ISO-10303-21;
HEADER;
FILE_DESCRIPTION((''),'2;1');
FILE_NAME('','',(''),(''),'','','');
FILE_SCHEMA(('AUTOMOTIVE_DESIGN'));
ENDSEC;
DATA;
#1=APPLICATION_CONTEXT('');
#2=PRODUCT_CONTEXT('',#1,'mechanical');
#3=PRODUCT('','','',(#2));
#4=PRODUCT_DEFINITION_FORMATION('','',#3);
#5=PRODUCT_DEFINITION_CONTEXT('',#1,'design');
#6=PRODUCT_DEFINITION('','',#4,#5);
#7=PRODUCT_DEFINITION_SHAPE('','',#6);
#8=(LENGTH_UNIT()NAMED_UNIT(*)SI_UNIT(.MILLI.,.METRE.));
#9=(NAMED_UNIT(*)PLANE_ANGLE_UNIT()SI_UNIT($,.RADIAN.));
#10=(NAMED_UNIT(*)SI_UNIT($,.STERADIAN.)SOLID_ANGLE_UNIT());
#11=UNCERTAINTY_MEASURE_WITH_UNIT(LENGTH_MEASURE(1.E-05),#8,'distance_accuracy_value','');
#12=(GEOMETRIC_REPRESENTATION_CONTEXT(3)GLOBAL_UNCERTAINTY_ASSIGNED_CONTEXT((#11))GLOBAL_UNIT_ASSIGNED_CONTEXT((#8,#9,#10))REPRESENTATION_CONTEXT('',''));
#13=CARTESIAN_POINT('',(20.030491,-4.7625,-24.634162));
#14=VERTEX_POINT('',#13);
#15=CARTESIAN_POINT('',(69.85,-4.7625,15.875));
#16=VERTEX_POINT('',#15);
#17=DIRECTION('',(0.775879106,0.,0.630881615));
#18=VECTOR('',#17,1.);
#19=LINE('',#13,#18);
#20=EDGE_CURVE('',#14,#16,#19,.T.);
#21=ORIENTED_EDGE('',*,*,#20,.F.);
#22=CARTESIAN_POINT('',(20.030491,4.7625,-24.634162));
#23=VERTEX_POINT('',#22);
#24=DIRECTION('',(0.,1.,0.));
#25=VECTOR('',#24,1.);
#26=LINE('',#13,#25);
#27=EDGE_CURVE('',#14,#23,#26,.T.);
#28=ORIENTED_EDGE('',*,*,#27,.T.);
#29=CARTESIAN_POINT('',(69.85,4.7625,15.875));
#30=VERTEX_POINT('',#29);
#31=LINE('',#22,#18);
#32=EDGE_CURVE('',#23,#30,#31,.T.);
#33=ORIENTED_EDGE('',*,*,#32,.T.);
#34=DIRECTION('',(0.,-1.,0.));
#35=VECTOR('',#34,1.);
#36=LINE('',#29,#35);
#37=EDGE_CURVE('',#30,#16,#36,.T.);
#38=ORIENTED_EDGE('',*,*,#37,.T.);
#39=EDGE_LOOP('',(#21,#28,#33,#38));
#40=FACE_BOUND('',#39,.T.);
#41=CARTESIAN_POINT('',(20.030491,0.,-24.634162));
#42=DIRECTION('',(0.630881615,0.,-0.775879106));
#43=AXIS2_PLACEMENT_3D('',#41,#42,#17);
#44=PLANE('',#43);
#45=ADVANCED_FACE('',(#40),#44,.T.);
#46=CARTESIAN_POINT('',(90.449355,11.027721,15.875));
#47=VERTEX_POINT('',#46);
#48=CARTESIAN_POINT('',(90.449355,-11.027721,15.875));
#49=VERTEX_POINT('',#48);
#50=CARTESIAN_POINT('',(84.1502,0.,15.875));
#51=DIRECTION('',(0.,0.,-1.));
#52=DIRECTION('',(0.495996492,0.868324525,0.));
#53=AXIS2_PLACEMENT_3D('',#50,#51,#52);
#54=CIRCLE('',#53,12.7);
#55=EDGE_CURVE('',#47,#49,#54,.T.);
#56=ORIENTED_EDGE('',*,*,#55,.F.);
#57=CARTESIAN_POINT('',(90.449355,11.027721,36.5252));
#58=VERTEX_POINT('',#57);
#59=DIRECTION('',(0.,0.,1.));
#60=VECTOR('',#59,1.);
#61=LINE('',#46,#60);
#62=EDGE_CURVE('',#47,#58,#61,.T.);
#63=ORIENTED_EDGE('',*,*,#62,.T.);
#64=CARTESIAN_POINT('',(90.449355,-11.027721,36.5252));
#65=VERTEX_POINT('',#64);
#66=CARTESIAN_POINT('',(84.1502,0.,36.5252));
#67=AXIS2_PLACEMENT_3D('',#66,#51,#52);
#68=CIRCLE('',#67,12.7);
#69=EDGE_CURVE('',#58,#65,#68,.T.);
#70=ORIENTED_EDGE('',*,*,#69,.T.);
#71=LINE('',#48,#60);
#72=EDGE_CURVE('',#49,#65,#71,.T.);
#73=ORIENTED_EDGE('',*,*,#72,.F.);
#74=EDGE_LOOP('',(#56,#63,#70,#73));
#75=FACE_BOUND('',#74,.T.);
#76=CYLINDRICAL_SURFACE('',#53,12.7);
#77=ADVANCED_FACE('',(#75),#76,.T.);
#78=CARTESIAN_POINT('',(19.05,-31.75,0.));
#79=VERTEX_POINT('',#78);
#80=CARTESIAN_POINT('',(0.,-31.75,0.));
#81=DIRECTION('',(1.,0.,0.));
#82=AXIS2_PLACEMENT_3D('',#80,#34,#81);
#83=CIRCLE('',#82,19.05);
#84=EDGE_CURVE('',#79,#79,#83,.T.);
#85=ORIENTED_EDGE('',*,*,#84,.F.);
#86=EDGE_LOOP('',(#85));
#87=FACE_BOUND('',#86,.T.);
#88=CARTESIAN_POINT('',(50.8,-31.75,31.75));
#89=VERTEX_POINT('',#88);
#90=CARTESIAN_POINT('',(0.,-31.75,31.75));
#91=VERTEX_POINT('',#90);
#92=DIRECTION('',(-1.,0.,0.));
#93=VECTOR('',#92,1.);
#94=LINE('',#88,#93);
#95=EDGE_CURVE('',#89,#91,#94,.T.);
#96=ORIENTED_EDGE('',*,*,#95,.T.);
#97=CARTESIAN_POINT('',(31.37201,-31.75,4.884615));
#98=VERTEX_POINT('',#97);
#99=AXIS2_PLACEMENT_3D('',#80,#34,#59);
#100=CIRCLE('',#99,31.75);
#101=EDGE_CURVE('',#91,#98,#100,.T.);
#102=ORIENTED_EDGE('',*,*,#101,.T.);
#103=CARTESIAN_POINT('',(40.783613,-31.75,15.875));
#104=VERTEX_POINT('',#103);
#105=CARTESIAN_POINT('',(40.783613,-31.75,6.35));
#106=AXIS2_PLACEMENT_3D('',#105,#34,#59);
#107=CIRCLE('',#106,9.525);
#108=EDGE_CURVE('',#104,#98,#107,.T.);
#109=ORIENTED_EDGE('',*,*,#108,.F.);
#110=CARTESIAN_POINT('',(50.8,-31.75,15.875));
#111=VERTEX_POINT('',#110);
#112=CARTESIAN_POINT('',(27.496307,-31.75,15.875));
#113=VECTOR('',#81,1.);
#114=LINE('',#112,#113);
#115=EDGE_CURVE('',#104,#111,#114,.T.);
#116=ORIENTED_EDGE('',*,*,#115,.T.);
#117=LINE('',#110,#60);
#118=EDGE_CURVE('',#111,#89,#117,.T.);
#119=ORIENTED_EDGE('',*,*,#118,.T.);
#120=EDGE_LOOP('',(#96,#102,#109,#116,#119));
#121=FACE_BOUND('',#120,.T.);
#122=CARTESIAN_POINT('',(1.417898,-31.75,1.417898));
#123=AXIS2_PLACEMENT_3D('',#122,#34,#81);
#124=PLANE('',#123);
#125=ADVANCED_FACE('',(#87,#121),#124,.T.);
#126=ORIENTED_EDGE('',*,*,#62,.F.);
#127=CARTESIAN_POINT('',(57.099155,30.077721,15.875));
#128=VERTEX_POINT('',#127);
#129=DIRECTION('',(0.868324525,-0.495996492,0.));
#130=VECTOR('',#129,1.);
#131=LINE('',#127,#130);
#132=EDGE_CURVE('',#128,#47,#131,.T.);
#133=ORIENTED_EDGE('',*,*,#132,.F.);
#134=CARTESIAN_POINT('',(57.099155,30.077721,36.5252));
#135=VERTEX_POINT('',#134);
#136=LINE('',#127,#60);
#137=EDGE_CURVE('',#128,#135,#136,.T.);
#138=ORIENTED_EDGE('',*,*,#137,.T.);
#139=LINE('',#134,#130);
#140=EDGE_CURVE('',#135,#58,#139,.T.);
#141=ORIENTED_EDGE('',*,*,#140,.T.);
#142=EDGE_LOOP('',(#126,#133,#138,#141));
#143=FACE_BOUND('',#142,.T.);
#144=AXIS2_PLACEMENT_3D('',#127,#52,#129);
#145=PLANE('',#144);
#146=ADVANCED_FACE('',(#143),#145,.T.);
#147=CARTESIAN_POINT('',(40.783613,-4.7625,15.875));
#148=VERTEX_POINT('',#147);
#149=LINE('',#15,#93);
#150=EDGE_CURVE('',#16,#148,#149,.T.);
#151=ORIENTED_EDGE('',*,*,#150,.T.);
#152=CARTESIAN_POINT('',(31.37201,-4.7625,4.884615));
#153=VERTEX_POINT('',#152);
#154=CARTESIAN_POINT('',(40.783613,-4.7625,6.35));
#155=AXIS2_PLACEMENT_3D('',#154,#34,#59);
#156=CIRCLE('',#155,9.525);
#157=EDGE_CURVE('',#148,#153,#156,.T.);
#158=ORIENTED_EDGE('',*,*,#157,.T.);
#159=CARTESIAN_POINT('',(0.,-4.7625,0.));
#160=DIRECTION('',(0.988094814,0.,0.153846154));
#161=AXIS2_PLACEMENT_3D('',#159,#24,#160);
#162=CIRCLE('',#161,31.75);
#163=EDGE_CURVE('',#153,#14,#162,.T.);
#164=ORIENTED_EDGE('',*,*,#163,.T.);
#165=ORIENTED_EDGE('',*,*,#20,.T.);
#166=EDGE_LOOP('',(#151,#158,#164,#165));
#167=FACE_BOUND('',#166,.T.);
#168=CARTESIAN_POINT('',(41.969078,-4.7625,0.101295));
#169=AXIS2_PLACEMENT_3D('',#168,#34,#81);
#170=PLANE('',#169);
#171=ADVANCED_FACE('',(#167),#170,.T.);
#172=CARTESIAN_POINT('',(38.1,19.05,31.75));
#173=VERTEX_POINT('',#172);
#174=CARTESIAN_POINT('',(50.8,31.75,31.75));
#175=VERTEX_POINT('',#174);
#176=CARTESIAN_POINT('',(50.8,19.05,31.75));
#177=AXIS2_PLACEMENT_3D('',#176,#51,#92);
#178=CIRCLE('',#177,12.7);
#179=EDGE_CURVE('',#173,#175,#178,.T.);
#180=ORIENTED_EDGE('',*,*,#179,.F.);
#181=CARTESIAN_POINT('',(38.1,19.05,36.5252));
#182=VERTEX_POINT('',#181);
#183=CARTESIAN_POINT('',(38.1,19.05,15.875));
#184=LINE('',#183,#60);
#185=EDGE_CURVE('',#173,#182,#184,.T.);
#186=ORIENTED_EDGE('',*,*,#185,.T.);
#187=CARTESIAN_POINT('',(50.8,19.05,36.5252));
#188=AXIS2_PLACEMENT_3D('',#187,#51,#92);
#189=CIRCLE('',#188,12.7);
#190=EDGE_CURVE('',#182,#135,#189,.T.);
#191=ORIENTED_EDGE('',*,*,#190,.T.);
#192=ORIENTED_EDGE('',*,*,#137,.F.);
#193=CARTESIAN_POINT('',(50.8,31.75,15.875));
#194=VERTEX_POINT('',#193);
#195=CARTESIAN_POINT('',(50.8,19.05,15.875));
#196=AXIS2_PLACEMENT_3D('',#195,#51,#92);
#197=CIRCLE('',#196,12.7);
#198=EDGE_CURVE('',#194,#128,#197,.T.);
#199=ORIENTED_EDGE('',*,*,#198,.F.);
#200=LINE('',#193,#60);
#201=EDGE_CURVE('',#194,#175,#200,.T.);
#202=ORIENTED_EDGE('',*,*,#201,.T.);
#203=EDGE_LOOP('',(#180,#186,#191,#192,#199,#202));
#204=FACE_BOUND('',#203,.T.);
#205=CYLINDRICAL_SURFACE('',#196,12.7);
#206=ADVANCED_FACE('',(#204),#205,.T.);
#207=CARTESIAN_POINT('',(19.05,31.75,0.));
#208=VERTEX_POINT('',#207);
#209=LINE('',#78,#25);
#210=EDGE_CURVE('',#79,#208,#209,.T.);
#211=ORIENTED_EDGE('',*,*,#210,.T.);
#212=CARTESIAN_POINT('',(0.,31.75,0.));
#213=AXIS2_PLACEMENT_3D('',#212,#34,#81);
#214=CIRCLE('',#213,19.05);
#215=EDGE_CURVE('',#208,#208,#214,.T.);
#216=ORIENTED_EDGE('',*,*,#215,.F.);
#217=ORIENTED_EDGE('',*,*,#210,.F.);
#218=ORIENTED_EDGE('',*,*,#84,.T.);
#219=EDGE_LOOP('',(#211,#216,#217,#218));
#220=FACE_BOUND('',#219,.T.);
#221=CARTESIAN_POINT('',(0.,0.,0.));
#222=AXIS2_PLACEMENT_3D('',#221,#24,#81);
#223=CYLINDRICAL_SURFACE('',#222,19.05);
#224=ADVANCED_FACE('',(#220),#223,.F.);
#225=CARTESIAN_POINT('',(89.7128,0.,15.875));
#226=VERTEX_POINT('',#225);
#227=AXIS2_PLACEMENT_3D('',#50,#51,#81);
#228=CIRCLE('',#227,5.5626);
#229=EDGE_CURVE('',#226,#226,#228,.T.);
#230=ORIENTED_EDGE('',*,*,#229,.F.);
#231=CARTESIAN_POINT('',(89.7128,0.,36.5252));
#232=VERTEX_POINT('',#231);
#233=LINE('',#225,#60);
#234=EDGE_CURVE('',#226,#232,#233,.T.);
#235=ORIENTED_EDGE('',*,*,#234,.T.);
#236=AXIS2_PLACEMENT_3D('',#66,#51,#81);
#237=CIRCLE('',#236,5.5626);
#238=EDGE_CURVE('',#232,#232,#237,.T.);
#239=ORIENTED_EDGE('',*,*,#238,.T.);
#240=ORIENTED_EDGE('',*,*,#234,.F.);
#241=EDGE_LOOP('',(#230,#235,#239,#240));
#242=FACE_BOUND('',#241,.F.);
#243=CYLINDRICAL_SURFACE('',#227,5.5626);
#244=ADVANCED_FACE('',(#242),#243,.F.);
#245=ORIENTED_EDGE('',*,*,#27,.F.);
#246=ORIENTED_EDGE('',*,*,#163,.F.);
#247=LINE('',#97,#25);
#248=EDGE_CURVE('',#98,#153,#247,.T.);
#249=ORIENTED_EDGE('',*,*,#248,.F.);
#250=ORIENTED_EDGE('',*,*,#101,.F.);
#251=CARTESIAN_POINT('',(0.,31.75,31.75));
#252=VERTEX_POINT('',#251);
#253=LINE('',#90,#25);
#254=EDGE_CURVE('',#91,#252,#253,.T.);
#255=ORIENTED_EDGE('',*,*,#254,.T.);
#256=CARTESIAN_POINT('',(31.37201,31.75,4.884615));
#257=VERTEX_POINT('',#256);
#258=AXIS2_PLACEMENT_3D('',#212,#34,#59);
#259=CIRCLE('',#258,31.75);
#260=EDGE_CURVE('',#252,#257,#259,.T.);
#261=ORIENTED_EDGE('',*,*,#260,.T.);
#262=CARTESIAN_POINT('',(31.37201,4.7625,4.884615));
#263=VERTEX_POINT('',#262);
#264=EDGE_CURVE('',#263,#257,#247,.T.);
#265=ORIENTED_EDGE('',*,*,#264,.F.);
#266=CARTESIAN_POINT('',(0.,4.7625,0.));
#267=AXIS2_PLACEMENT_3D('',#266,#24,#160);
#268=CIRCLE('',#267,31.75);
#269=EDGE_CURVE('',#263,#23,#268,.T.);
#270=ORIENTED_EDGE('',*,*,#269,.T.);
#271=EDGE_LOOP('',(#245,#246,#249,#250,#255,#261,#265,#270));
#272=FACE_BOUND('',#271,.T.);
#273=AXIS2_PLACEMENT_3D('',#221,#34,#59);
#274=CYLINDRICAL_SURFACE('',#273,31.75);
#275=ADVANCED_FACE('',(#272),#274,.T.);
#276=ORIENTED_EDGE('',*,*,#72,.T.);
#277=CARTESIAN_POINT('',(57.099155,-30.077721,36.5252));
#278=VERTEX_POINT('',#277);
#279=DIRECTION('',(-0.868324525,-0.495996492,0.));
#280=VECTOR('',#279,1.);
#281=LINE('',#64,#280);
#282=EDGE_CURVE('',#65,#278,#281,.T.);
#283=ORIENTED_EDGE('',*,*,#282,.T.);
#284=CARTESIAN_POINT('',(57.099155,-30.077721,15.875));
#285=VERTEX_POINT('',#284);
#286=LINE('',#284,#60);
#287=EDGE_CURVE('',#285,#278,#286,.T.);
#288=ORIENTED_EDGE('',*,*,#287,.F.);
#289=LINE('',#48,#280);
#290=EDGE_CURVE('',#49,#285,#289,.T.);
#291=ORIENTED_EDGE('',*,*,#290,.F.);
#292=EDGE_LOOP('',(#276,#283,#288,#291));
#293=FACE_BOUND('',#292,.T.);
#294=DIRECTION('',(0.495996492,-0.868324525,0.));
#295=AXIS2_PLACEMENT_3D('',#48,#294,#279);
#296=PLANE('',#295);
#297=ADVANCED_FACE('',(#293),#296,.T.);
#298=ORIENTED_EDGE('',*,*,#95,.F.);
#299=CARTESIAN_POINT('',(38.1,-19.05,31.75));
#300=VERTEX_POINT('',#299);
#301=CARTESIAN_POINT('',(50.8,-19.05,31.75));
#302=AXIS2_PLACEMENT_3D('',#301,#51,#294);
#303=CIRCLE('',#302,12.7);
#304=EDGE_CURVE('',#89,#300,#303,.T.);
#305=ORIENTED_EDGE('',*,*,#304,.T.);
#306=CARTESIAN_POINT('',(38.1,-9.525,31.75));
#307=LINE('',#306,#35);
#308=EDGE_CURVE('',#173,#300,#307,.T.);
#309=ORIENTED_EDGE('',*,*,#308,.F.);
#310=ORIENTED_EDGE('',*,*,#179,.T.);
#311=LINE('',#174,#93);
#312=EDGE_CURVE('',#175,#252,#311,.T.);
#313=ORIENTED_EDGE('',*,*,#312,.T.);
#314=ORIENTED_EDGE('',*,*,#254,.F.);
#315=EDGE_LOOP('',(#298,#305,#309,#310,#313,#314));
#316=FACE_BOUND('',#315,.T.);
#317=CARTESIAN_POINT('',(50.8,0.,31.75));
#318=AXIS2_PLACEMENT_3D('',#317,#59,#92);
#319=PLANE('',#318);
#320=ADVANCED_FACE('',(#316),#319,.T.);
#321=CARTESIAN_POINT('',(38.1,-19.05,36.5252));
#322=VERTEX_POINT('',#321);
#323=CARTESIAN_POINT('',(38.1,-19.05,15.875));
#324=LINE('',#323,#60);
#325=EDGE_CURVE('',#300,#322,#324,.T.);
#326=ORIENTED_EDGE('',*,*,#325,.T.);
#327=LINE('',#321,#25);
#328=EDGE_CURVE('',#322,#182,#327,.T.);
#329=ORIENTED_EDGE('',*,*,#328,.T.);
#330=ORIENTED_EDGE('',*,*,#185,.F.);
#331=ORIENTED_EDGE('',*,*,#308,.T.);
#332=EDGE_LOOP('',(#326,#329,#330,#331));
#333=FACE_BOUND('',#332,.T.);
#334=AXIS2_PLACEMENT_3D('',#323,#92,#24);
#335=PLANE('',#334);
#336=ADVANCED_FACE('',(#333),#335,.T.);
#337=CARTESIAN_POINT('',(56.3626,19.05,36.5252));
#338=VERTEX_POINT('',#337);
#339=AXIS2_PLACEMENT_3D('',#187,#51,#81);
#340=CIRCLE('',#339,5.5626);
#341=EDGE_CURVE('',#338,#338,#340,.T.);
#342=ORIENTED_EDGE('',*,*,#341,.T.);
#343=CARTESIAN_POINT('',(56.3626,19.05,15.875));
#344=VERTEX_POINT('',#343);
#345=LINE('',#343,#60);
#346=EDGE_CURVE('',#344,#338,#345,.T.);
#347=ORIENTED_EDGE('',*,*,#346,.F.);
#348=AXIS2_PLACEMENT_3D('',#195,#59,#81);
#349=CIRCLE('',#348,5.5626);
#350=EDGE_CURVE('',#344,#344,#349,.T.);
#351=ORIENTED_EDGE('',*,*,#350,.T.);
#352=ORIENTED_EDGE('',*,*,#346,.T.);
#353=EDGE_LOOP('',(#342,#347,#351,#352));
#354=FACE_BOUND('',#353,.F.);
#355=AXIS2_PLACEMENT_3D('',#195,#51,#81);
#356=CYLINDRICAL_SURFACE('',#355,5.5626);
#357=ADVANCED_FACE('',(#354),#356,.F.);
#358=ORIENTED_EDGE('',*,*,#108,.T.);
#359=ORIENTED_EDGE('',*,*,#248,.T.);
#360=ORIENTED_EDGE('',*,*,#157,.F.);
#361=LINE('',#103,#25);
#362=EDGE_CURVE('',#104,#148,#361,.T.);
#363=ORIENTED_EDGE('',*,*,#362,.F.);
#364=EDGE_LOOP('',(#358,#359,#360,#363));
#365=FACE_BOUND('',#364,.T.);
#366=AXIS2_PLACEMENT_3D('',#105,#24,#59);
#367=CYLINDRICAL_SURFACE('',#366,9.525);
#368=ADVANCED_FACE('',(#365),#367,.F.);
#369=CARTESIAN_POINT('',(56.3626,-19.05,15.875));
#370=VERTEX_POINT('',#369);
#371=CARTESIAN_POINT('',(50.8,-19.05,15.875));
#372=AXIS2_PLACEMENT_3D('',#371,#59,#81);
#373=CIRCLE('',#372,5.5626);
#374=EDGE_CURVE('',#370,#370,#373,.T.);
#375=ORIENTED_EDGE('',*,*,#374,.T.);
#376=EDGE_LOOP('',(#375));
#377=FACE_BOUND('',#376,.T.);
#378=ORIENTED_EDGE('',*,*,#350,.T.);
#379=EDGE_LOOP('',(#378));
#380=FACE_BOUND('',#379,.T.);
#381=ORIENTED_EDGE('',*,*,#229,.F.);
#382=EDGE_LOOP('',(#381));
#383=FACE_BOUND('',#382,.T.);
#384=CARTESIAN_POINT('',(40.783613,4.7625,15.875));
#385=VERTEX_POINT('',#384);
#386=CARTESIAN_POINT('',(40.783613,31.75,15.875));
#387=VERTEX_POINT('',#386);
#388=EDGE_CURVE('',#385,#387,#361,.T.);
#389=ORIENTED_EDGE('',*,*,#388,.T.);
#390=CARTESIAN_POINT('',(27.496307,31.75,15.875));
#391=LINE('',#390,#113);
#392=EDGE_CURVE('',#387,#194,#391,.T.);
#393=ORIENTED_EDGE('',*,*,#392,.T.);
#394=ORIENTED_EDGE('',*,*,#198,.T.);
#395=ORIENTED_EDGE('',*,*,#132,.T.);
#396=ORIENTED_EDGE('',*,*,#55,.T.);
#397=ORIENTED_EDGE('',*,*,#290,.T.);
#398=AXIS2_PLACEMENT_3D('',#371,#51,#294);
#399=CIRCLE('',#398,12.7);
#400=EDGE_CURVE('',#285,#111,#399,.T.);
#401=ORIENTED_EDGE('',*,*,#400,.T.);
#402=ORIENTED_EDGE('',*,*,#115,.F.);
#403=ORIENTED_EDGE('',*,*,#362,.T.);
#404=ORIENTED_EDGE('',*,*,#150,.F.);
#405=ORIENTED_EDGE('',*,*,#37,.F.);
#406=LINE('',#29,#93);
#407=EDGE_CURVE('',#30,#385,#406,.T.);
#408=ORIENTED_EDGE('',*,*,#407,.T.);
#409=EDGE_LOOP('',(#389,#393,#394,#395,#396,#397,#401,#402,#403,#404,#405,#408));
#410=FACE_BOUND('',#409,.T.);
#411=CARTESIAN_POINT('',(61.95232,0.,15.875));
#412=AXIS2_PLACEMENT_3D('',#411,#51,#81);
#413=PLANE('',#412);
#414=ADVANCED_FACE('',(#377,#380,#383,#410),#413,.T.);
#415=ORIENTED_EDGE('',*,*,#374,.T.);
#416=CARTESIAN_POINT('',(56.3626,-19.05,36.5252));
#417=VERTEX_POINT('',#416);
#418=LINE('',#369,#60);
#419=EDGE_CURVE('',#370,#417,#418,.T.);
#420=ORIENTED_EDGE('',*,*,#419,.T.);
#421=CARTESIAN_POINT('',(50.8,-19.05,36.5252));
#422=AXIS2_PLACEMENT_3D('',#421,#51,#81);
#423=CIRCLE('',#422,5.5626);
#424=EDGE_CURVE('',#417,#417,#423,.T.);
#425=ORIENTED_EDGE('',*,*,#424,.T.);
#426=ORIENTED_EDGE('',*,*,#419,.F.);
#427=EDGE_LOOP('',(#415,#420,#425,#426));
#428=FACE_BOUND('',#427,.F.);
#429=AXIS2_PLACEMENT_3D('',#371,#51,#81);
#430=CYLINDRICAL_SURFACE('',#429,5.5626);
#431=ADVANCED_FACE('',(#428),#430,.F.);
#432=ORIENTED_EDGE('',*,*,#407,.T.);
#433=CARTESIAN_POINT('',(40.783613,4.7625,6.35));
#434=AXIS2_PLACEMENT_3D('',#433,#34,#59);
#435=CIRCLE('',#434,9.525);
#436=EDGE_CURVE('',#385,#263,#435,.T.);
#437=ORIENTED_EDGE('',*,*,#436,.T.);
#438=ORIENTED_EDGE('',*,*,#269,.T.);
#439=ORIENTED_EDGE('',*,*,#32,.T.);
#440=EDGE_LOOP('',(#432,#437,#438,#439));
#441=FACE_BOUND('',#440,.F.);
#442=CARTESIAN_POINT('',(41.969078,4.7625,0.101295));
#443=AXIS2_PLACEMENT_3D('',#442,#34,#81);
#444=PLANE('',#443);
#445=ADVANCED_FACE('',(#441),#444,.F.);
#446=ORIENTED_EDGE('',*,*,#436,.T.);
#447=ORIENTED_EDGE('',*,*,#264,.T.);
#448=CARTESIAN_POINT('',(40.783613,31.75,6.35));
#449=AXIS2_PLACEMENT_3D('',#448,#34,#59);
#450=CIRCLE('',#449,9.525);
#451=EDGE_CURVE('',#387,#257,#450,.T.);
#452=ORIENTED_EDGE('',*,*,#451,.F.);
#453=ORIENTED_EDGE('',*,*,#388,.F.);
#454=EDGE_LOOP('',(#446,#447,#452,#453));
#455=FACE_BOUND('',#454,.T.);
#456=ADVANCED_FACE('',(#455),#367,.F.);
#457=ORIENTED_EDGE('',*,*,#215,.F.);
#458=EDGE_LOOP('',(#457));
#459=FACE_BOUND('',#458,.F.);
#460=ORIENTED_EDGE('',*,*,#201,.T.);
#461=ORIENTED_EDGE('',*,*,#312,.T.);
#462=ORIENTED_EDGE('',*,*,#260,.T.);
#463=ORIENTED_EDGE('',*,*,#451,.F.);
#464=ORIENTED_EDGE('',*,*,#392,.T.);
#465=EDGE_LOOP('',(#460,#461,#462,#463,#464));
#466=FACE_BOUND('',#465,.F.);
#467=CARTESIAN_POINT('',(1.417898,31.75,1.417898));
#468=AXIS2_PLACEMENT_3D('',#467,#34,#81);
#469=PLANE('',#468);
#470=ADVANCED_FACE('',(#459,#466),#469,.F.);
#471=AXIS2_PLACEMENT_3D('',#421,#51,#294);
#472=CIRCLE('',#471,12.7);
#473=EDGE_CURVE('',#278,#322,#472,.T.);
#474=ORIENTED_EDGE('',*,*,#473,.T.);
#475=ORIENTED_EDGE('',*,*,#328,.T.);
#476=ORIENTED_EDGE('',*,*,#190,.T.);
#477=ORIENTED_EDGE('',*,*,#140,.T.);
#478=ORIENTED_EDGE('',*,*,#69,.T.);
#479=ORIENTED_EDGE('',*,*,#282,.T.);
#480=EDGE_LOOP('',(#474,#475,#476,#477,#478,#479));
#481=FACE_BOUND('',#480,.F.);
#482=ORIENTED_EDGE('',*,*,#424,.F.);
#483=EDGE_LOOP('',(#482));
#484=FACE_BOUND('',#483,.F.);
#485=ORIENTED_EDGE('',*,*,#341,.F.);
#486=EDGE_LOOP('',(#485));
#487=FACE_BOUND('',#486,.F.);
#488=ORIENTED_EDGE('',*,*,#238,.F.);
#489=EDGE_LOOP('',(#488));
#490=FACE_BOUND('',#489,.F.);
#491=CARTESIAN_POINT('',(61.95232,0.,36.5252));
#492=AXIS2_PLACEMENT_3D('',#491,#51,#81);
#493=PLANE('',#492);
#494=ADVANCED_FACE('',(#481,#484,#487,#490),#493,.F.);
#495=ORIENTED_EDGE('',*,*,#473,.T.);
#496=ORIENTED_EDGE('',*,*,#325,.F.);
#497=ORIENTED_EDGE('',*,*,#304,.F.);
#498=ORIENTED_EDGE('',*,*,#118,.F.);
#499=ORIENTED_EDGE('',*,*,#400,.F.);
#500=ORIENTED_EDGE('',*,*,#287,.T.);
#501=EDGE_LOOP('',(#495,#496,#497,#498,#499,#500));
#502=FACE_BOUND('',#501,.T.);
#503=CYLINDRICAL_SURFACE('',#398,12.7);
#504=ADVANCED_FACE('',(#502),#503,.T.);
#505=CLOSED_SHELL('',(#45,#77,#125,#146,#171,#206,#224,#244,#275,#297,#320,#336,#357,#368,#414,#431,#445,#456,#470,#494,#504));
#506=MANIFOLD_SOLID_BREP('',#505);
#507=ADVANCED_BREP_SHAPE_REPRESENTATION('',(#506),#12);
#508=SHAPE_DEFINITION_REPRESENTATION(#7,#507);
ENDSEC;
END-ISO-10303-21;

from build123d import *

# Parameters (mm, degrees)
F0_R     = 19.05
F1_DEPTH = 31.75
F2_R     = 5.5626
F3_DEPTH = 20.6502
F4_R     = 9.525
F6_DEPTH = 4.7625
F7_R     = 5.5626
F8_DEPTH = 68.2762


with BuildPart() as f1:
    # F0 (on Front) → F1 (new body, symmetric)
    with BuildSketch(Plane.XZ):
        with BuildLine():
            ThreePointArc((0, 31.75), (-22.4506403027, -22.4506403027), (31.75, 0))
            ThreePointArc((31.75, 0), (30.6681449847, 8.217504682), (27.4963065702, 15.875))
            ThreePointArc((27.4963065702, 15.875), (15.875, 27.4963065702), (0, 31.75))
        make_face()
        Circle(F0_R, mode=Mode.SUBTRACT)
        with BuildLine():
            ThreePointArc((0, 31.75), (15.875, 27.4963065702), (27.4963065702, 15.875))
            Line((27.4963065702, 15.875), (50.8, 15.875))
            Line((50.8, 15.875), (50.8, 31.75))
            Line((50.8, 31.75), (0, 31.75))
        make_face()
    extrude(amount=F1_DEPTH, both=True)

    # F2 (on face) → F3 (join)
    with BuildSketch(Plane(origin=(0, 0, 15.875), x_dir=(1, 0, 0), z_dir=(0, 0, -1))):
        with BuildLine():
            Line((90.4493554441, 11.0277214642), (57.0991554441, 30.0777214642))
            ThreePointArc((57.0991554441, 30.0777214642), (44.4246284085, 30.0338352623), (38.1, 19.05))
            Line((38.1, 19.05), (38.1, -19.05))
            ThreePointArc((38.1, -19.05), (44.4246284085, -30.0338352623), (57.0991554441, -30.0777214642))
            Line((57.0991554441, -30.0777214642), (90.4493554441, -11.0277214642))
            ThreePointArc((90.4493554441, -11.0277214642), (96.8502, 0), (90.4493554441, 11.0277214642))
        make_face()
        with Locations((50.8, -19.05)):
            Circle(F2_R, mode=Mode.SUBTRACT)
        with Locations((84.1502, 0)):
            Circle(F2_R, mode=Mode.SUBTRACT)
        with Locations((50.8, 19.05)):
            Circle(F2_R, mode=Mode.SUBTRACT)
    extrude(amount=-F3_DEPTH)

    # F4
    f4_edges = [f1.edges().sort_by_distance(p)[0] for p in [
        (27.496307, 0, 15.875),
    ]]
    fillet(f4_edges, radius=F4_R)

    # F5 (on Front) → F6 (join, symmetric)
    with BuildSketch(Plane.XZ):
        with BuildLine():
            Line((20.0304912791, -24.6341616281), (69.85, 15.875))
            Line((69.85, 15.875), (57.0991554441, 15.875))
            Line((57.0991554441, 15.875), (50.8, 15.875))
            Line((50.8, 15.875), (40.7836134373, 15.875))
            ThreePointArc((40.7836134373, 15.875), (33.5488565837, 12.545475629), (31.3720103364, 4.8846153846))
            ThreePointArc((31.3720103364, 4.8846153846), (29.6377097996, -11.3872146654), (20.0304912791, -24.6341616281))
        make_face()
    extrude(amount=F6_DEPTH, both=True)

    # F7 (on face) → F8 (cut, through all)
    with BuildSketch(Plane.XY.offset(36.5252)):
        with Locations((50.8, 19.05)):
            Circle(F7_R)
        with Locations((50.8, -19.05)):
            Circle(F7_R)
    extrude(amount=-F8_DEPTH, mode=Mode.SUBTRACT)


solid = f1.part
